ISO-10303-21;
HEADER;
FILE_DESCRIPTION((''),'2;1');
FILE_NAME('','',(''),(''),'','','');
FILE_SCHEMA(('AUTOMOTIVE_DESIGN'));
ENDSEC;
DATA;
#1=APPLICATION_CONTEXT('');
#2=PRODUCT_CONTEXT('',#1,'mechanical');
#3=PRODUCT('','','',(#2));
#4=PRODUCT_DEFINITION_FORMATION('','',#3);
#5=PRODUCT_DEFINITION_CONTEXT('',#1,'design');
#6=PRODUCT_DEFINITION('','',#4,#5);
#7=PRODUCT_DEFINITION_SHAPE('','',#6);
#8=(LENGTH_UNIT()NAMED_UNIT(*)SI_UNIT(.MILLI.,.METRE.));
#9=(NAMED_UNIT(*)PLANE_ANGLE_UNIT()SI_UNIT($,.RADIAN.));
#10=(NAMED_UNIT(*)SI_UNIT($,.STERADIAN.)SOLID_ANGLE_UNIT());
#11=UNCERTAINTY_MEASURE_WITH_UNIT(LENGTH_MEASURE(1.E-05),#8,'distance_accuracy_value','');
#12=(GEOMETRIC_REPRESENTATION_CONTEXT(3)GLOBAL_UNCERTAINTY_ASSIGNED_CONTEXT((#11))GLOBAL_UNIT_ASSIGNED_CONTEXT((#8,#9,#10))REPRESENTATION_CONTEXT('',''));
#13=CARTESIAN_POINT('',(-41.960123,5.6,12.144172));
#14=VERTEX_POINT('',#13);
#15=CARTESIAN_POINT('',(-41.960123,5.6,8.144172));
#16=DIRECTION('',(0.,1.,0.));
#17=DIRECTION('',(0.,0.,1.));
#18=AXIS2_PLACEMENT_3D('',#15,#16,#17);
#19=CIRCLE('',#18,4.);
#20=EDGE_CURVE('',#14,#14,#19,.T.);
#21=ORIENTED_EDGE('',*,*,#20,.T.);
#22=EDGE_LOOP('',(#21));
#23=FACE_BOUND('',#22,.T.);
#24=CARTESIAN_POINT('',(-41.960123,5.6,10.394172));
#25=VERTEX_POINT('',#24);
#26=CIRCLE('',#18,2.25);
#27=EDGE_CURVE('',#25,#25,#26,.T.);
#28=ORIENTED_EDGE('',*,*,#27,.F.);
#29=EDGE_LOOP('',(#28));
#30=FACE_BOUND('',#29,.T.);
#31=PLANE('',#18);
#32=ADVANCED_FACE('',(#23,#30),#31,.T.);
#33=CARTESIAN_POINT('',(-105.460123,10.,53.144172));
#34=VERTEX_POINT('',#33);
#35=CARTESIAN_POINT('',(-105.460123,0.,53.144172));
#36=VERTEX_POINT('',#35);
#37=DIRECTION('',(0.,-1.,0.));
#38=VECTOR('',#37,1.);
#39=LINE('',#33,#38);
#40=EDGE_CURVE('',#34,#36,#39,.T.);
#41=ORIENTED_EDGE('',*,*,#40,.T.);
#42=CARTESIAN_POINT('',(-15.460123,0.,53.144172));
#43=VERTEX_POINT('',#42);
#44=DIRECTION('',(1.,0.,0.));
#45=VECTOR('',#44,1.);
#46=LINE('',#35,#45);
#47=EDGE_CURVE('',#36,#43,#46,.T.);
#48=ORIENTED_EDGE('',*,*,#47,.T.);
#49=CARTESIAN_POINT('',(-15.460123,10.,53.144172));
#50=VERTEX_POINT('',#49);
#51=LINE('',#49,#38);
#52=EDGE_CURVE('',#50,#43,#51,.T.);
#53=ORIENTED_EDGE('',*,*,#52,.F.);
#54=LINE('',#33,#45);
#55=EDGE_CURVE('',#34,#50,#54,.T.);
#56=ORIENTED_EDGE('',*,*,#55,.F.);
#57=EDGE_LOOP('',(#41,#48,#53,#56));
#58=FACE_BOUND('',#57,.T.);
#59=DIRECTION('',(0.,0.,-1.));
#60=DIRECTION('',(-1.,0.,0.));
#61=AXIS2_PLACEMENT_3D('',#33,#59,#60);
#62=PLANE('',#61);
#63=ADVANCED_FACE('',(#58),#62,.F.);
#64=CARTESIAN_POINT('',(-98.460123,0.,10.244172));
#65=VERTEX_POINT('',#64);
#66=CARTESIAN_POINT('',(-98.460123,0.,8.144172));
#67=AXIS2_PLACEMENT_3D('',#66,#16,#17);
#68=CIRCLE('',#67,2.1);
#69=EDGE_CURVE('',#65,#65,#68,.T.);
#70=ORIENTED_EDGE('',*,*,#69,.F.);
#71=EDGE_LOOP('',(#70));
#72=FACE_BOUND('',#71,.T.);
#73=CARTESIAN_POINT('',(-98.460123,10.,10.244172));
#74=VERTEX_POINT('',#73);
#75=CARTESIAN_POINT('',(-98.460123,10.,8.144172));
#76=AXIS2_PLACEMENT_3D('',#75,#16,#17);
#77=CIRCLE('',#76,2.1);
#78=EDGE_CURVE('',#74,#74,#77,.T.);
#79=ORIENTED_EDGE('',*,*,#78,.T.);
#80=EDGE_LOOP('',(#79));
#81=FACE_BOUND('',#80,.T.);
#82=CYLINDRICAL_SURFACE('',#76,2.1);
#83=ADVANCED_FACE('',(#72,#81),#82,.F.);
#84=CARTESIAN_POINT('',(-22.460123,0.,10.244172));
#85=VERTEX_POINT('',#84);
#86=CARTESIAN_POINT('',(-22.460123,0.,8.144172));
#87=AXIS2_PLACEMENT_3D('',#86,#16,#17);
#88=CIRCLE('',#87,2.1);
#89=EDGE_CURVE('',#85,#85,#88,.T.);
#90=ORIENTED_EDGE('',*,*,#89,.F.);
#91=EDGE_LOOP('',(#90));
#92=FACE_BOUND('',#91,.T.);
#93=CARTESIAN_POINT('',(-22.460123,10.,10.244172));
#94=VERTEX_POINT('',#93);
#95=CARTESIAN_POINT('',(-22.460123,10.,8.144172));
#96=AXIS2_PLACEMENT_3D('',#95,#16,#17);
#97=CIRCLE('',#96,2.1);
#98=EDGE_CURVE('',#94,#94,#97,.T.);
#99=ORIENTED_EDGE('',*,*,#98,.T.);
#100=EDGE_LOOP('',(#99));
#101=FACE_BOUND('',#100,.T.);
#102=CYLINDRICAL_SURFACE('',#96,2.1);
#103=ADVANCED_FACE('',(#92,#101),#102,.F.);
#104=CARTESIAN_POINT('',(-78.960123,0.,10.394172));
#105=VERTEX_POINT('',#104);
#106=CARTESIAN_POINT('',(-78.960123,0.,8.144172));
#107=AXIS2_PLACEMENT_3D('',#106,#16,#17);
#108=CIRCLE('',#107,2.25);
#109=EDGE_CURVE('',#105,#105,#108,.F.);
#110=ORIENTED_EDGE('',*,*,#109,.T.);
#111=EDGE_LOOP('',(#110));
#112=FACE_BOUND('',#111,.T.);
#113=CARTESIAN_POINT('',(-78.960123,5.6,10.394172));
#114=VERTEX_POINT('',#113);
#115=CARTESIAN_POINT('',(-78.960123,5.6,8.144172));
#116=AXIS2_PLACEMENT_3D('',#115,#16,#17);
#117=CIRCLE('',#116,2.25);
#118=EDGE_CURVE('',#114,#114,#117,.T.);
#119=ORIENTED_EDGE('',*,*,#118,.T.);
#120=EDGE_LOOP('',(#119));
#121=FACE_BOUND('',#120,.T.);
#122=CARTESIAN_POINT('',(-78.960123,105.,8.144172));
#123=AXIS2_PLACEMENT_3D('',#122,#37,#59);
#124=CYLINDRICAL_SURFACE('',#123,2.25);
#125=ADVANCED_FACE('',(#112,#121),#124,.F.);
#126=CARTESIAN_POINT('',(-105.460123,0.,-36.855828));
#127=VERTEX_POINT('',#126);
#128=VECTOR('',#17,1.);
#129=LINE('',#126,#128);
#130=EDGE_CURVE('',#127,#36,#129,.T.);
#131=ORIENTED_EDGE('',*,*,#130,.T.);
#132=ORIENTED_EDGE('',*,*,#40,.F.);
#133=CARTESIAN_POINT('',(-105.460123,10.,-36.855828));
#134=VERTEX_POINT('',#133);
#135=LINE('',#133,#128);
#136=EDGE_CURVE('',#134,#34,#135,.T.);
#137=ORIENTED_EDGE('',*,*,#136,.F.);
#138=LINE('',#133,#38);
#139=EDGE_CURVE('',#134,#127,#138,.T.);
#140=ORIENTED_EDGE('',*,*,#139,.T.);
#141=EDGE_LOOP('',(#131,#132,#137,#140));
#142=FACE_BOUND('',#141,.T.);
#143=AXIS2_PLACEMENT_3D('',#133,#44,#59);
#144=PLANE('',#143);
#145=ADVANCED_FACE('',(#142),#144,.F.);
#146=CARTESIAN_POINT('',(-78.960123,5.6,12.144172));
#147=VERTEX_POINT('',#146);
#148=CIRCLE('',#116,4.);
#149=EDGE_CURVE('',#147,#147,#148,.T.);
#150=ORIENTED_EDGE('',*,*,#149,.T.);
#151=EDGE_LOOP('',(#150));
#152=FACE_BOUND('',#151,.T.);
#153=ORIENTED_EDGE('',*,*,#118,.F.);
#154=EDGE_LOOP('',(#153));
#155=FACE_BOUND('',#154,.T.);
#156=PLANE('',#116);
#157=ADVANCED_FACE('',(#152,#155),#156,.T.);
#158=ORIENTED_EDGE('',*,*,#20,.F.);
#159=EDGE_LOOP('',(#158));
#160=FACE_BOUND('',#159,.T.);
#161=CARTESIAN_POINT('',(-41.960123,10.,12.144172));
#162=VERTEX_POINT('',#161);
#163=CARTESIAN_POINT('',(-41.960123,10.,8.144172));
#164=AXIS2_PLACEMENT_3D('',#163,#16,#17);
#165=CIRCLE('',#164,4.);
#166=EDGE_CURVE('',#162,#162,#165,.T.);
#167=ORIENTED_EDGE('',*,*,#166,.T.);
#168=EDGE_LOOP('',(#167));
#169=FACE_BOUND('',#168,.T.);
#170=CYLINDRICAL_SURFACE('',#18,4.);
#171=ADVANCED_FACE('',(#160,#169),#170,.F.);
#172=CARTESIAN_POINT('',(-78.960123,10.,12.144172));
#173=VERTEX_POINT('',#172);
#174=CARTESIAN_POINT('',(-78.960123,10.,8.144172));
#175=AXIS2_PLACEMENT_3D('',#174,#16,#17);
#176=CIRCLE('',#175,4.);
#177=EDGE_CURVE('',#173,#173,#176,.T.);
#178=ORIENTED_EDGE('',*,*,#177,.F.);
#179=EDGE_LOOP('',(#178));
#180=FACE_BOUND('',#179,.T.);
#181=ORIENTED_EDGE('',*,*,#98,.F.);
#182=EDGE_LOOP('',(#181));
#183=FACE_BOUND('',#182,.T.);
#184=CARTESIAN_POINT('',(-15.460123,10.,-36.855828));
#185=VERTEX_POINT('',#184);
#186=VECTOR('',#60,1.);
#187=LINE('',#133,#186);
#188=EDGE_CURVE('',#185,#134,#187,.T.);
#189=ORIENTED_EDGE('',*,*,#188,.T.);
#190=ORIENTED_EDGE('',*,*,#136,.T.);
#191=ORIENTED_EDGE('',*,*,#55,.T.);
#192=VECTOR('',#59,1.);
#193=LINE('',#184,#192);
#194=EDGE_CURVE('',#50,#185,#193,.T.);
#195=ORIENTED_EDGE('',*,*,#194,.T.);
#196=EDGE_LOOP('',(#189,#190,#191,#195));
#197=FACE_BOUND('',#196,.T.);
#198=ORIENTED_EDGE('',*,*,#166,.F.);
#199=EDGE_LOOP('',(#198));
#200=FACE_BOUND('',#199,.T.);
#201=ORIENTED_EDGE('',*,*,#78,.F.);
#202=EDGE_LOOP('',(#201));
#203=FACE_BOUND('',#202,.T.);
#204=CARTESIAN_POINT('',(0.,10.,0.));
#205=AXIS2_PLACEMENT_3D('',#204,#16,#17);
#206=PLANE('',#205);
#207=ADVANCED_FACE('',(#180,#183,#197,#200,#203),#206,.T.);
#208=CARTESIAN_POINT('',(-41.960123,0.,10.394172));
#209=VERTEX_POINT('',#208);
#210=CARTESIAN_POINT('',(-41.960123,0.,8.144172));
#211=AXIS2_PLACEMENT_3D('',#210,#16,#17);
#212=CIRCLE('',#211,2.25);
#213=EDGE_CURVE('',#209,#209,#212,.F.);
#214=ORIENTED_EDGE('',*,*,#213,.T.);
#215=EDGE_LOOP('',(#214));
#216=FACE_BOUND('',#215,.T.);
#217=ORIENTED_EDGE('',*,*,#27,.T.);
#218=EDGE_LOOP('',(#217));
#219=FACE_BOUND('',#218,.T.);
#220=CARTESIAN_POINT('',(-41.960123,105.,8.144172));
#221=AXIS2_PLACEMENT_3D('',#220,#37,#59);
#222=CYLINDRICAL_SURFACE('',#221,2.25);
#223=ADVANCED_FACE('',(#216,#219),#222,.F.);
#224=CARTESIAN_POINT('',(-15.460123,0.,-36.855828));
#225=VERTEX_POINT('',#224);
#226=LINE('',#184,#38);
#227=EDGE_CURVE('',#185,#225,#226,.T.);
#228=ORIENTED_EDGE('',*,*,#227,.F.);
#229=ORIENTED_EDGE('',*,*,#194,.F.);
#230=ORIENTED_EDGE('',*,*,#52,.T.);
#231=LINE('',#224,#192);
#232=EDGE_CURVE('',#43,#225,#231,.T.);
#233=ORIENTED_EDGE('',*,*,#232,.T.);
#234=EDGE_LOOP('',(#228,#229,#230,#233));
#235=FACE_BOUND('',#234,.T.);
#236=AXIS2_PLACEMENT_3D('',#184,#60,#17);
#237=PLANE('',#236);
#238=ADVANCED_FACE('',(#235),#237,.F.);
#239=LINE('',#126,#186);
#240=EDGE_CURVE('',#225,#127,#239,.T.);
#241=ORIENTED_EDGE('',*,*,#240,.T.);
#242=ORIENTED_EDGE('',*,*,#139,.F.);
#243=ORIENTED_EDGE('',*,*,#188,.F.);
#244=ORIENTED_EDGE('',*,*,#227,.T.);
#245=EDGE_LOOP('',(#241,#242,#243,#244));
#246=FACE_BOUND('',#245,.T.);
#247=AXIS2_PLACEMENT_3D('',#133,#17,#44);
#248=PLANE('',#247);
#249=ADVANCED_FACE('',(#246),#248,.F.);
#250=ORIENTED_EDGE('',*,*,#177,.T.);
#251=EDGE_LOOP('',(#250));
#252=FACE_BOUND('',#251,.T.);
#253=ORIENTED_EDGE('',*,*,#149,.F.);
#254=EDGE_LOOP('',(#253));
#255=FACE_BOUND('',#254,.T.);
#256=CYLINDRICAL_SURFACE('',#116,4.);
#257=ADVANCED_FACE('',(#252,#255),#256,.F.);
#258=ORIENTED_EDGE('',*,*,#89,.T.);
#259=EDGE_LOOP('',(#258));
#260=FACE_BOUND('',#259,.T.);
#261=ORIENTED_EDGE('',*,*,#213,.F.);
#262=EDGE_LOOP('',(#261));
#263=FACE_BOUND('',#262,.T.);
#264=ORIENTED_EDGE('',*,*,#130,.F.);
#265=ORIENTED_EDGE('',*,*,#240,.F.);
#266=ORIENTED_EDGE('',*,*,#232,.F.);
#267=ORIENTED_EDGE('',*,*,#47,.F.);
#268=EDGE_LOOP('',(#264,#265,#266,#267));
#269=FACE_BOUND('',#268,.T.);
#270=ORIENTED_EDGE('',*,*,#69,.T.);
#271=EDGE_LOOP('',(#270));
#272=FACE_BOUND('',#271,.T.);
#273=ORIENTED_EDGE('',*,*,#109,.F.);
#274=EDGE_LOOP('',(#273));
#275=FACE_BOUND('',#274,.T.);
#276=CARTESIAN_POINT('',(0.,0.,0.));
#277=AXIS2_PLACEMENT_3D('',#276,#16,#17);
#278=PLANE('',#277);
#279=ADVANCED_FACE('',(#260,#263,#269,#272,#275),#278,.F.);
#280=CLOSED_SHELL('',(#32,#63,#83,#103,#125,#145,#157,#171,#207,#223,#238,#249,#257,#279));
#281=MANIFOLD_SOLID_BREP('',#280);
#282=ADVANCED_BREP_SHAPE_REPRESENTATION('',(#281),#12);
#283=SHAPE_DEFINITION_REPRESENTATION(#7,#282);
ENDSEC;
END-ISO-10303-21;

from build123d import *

# Parameters (mm, degrees)
SKETCH1_W               = 90
SKETCH1_H               = 90
BOSS_EXTRUDE1_DEPTH     = 10
CUT_EXTRUDE1_DEPTH      = 95
CUT_EXTRUDE1_DEPTH_BACK = 74
SKETCH2_R               = 2.25
SKETCH2_3_R             = 4
SKETCH2_3_R_2           = 2.25
CUT_EXTRUDE2_DEPTH      = 4.4
M5_TAPPED_HOLE1_D       = 4.2


with BuildPart() as part:
    # Sketch1 → Boss-Extrude1 (new body)
    with BuildSketch(Plane(origin=(0, 0, 0), x_dir=(1, 0, 0), z_dir=(0, 1, 0))):
        with Locations((-60.460122699, -8.144171779)):
            Rectangle(SKETCH1_W, SKETCH1_H)
    extrude(amount=BOSS_EXTRUDE1_DEPTH)

    # Sketch2 → Cut-Extrude1 (cut, two sides: drawn at the far end of the back side and taken through both)
    with BuildSketch(Plane(origin=(0, 10, 0), x_dir=(1, 0, 0), z_dir=(0, 1, 0)).offset(-CUT_EXTRUDE1_DEPTH_BACK)):
        with Locations((-78.960122699, -8.144171779)):
            Circle(SKETCH2_R)
        with Locations((-41.960122699, -8.144171779)):
            Circle(SKETCH2_R)
    extrude(amount=CUT_EXTRUDE1_DEPTH + CUT_EXTRUDE1_DEPTH_BACK, mode=Mode.SUBTRACT)

    # Sketch2<3> → Cut-Extrude2 (cut)
    # profile 1 of 2: a face of its own
    with BuildSketch(Plane(origin=(0, 10, 0), x_dir=(1, 0, 0), z_dir=(0, 1, 0))):
        with Locations((-78.960122699, -8.144171779)):
            Circle(SKETCH2_3_R)
        with Locations((-78.960122699, -8.144171779)):
            Circle(SKETCH2_3_R_2, mode=Mode.SUBTRACT)
    # profile 2 of 2: a face of its own
    with BuildSketch(Plane(origin=(0, 10, 0), x_dir=(1, 0, 0), z_dir=(0, 1, 0))):
        with Locations((-41.960122699, -8.144171779)):
            Circle(SKETCH2_3_R)
        with Locations((-41.960122699, -8.144171779)):
            Circle(SKETCH2_3_R_2, mode=Mode.SUBTRACT)
    extrude(amount=-CUT_EXTRUDE2_DEPTH, mode=Mode.SUBTRACT)

    # M5 Tapped Hole1 (through all)
    with Locations(Plane(origin=(0, 10, 0), x_dir=(1, 0, 0), z_dir=(0, 1, 0))):
        with Locations((-98.460122699, -8.144171779), (-22.460122699, -8.144171779)):
            Hole(M5_TAPPED_HOLE1_D / 2)


solid = part.part
